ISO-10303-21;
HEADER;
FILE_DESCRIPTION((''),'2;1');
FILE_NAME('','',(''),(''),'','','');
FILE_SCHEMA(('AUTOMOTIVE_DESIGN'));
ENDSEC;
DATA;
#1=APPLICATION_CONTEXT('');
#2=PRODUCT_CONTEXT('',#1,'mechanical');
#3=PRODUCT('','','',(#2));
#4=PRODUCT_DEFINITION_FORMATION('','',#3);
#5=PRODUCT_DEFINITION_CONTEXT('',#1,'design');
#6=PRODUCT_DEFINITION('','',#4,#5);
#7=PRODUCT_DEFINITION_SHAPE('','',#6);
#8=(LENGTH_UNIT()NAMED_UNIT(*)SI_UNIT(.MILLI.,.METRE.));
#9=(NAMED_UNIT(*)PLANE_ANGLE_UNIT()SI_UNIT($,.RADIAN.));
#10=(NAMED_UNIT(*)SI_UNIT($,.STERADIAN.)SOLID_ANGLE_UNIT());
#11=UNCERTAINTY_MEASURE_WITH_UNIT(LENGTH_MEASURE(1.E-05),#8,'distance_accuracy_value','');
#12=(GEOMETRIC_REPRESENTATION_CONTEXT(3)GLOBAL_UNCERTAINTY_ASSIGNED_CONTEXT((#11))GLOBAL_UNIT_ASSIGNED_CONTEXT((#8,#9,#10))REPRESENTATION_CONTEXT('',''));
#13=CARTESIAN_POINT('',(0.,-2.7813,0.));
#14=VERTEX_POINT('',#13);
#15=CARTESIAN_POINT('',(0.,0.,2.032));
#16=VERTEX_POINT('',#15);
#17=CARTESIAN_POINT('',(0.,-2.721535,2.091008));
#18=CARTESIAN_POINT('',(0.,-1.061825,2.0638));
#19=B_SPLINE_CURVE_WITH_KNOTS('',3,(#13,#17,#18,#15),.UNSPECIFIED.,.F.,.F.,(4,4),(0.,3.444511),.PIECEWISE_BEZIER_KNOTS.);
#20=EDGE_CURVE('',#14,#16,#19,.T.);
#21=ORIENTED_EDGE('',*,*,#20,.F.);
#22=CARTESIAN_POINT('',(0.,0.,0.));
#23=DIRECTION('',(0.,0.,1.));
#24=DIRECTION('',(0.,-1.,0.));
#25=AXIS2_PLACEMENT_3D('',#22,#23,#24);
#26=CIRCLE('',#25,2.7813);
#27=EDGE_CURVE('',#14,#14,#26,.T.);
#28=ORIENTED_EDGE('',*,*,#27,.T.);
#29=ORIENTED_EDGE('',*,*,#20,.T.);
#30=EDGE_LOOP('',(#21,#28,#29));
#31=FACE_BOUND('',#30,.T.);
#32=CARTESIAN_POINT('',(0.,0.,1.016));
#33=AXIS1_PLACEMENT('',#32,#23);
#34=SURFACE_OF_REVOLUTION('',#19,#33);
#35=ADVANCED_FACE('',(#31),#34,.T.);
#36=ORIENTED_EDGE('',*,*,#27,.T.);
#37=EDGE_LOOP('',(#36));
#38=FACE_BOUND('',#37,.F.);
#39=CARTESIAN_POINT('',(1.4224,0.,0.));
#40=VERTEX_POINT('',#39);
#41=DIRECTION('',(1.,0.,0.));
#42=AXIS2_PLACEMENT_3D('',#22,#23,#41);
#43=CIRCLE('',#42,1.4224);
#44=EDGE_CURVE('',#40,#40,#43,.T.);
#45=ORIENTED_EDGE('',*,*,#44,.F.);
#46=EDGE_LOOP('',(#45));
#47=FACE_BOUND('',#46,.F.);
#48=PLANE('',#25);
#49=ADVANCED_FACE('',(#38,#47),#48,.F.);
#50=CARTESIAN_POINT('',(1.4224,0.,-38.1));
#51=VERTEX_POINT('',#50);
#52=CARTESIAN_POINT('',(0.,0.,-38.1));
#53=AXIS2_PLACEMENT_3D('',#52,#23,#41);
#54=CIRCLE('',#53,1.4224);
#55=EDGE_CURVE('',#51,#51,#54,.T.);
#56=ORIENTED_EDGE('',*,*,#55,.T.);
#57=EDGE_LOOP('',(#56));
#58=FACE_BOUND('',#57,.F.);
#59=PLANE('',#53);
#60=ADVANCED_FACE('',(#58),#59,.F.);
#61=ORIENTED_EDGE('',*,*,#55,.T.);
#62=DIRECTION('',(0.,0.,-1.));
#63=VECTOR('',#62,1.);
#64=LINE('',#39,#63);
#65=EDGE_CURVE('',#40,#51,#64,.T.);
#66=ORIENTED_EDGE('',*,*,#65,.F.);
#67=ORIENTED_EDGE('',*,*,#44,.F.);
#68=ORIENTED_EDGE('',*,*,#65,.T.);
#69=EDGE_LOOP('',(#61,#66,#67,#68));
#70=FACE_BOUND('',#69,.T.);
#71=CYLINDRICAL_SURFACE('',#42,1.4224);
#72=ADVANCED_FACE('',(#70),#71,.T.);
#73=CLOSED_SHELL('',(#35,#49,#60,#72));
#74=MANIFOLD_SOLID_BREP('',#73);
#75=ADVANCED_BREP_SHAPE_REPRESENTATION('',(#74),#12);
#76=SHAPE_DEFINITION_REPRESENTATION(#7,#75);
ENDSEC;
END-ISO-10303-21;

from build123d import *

# Parameters (mm, degrees)
F0_R     = 1.4224
F1_DEPTH = 38.1


with BuildPart() as f1:
    # F0 (on Top) → F1 (new body)
    with BuildSketch(Plane.XY):
        Circle(F0_R)
    extrude(amount=-F1_DEPTH)

    # F2 (on Right) → F3 (revolve)
    with BuildSketch(Plane.YZ):
        with BuildLine():
            add(Edge.make_bspline(
                [(-2.7813, 0), (-2.721535, 2.091008), (-1.061825, 2.0638), (0, 2.032)],
                knots=[0, 0, 0, 0, 3.444511, 3.444511, 3.444511, 3.444511], degree=3))
            Line((-2.7813, 0), (0, 0))
            Line((0, 0), (0, 2.032))
        make_face()
    revolve(axis=Axis((0, 0, 1.016), (0, 0, 1)))


solid = f1.part
